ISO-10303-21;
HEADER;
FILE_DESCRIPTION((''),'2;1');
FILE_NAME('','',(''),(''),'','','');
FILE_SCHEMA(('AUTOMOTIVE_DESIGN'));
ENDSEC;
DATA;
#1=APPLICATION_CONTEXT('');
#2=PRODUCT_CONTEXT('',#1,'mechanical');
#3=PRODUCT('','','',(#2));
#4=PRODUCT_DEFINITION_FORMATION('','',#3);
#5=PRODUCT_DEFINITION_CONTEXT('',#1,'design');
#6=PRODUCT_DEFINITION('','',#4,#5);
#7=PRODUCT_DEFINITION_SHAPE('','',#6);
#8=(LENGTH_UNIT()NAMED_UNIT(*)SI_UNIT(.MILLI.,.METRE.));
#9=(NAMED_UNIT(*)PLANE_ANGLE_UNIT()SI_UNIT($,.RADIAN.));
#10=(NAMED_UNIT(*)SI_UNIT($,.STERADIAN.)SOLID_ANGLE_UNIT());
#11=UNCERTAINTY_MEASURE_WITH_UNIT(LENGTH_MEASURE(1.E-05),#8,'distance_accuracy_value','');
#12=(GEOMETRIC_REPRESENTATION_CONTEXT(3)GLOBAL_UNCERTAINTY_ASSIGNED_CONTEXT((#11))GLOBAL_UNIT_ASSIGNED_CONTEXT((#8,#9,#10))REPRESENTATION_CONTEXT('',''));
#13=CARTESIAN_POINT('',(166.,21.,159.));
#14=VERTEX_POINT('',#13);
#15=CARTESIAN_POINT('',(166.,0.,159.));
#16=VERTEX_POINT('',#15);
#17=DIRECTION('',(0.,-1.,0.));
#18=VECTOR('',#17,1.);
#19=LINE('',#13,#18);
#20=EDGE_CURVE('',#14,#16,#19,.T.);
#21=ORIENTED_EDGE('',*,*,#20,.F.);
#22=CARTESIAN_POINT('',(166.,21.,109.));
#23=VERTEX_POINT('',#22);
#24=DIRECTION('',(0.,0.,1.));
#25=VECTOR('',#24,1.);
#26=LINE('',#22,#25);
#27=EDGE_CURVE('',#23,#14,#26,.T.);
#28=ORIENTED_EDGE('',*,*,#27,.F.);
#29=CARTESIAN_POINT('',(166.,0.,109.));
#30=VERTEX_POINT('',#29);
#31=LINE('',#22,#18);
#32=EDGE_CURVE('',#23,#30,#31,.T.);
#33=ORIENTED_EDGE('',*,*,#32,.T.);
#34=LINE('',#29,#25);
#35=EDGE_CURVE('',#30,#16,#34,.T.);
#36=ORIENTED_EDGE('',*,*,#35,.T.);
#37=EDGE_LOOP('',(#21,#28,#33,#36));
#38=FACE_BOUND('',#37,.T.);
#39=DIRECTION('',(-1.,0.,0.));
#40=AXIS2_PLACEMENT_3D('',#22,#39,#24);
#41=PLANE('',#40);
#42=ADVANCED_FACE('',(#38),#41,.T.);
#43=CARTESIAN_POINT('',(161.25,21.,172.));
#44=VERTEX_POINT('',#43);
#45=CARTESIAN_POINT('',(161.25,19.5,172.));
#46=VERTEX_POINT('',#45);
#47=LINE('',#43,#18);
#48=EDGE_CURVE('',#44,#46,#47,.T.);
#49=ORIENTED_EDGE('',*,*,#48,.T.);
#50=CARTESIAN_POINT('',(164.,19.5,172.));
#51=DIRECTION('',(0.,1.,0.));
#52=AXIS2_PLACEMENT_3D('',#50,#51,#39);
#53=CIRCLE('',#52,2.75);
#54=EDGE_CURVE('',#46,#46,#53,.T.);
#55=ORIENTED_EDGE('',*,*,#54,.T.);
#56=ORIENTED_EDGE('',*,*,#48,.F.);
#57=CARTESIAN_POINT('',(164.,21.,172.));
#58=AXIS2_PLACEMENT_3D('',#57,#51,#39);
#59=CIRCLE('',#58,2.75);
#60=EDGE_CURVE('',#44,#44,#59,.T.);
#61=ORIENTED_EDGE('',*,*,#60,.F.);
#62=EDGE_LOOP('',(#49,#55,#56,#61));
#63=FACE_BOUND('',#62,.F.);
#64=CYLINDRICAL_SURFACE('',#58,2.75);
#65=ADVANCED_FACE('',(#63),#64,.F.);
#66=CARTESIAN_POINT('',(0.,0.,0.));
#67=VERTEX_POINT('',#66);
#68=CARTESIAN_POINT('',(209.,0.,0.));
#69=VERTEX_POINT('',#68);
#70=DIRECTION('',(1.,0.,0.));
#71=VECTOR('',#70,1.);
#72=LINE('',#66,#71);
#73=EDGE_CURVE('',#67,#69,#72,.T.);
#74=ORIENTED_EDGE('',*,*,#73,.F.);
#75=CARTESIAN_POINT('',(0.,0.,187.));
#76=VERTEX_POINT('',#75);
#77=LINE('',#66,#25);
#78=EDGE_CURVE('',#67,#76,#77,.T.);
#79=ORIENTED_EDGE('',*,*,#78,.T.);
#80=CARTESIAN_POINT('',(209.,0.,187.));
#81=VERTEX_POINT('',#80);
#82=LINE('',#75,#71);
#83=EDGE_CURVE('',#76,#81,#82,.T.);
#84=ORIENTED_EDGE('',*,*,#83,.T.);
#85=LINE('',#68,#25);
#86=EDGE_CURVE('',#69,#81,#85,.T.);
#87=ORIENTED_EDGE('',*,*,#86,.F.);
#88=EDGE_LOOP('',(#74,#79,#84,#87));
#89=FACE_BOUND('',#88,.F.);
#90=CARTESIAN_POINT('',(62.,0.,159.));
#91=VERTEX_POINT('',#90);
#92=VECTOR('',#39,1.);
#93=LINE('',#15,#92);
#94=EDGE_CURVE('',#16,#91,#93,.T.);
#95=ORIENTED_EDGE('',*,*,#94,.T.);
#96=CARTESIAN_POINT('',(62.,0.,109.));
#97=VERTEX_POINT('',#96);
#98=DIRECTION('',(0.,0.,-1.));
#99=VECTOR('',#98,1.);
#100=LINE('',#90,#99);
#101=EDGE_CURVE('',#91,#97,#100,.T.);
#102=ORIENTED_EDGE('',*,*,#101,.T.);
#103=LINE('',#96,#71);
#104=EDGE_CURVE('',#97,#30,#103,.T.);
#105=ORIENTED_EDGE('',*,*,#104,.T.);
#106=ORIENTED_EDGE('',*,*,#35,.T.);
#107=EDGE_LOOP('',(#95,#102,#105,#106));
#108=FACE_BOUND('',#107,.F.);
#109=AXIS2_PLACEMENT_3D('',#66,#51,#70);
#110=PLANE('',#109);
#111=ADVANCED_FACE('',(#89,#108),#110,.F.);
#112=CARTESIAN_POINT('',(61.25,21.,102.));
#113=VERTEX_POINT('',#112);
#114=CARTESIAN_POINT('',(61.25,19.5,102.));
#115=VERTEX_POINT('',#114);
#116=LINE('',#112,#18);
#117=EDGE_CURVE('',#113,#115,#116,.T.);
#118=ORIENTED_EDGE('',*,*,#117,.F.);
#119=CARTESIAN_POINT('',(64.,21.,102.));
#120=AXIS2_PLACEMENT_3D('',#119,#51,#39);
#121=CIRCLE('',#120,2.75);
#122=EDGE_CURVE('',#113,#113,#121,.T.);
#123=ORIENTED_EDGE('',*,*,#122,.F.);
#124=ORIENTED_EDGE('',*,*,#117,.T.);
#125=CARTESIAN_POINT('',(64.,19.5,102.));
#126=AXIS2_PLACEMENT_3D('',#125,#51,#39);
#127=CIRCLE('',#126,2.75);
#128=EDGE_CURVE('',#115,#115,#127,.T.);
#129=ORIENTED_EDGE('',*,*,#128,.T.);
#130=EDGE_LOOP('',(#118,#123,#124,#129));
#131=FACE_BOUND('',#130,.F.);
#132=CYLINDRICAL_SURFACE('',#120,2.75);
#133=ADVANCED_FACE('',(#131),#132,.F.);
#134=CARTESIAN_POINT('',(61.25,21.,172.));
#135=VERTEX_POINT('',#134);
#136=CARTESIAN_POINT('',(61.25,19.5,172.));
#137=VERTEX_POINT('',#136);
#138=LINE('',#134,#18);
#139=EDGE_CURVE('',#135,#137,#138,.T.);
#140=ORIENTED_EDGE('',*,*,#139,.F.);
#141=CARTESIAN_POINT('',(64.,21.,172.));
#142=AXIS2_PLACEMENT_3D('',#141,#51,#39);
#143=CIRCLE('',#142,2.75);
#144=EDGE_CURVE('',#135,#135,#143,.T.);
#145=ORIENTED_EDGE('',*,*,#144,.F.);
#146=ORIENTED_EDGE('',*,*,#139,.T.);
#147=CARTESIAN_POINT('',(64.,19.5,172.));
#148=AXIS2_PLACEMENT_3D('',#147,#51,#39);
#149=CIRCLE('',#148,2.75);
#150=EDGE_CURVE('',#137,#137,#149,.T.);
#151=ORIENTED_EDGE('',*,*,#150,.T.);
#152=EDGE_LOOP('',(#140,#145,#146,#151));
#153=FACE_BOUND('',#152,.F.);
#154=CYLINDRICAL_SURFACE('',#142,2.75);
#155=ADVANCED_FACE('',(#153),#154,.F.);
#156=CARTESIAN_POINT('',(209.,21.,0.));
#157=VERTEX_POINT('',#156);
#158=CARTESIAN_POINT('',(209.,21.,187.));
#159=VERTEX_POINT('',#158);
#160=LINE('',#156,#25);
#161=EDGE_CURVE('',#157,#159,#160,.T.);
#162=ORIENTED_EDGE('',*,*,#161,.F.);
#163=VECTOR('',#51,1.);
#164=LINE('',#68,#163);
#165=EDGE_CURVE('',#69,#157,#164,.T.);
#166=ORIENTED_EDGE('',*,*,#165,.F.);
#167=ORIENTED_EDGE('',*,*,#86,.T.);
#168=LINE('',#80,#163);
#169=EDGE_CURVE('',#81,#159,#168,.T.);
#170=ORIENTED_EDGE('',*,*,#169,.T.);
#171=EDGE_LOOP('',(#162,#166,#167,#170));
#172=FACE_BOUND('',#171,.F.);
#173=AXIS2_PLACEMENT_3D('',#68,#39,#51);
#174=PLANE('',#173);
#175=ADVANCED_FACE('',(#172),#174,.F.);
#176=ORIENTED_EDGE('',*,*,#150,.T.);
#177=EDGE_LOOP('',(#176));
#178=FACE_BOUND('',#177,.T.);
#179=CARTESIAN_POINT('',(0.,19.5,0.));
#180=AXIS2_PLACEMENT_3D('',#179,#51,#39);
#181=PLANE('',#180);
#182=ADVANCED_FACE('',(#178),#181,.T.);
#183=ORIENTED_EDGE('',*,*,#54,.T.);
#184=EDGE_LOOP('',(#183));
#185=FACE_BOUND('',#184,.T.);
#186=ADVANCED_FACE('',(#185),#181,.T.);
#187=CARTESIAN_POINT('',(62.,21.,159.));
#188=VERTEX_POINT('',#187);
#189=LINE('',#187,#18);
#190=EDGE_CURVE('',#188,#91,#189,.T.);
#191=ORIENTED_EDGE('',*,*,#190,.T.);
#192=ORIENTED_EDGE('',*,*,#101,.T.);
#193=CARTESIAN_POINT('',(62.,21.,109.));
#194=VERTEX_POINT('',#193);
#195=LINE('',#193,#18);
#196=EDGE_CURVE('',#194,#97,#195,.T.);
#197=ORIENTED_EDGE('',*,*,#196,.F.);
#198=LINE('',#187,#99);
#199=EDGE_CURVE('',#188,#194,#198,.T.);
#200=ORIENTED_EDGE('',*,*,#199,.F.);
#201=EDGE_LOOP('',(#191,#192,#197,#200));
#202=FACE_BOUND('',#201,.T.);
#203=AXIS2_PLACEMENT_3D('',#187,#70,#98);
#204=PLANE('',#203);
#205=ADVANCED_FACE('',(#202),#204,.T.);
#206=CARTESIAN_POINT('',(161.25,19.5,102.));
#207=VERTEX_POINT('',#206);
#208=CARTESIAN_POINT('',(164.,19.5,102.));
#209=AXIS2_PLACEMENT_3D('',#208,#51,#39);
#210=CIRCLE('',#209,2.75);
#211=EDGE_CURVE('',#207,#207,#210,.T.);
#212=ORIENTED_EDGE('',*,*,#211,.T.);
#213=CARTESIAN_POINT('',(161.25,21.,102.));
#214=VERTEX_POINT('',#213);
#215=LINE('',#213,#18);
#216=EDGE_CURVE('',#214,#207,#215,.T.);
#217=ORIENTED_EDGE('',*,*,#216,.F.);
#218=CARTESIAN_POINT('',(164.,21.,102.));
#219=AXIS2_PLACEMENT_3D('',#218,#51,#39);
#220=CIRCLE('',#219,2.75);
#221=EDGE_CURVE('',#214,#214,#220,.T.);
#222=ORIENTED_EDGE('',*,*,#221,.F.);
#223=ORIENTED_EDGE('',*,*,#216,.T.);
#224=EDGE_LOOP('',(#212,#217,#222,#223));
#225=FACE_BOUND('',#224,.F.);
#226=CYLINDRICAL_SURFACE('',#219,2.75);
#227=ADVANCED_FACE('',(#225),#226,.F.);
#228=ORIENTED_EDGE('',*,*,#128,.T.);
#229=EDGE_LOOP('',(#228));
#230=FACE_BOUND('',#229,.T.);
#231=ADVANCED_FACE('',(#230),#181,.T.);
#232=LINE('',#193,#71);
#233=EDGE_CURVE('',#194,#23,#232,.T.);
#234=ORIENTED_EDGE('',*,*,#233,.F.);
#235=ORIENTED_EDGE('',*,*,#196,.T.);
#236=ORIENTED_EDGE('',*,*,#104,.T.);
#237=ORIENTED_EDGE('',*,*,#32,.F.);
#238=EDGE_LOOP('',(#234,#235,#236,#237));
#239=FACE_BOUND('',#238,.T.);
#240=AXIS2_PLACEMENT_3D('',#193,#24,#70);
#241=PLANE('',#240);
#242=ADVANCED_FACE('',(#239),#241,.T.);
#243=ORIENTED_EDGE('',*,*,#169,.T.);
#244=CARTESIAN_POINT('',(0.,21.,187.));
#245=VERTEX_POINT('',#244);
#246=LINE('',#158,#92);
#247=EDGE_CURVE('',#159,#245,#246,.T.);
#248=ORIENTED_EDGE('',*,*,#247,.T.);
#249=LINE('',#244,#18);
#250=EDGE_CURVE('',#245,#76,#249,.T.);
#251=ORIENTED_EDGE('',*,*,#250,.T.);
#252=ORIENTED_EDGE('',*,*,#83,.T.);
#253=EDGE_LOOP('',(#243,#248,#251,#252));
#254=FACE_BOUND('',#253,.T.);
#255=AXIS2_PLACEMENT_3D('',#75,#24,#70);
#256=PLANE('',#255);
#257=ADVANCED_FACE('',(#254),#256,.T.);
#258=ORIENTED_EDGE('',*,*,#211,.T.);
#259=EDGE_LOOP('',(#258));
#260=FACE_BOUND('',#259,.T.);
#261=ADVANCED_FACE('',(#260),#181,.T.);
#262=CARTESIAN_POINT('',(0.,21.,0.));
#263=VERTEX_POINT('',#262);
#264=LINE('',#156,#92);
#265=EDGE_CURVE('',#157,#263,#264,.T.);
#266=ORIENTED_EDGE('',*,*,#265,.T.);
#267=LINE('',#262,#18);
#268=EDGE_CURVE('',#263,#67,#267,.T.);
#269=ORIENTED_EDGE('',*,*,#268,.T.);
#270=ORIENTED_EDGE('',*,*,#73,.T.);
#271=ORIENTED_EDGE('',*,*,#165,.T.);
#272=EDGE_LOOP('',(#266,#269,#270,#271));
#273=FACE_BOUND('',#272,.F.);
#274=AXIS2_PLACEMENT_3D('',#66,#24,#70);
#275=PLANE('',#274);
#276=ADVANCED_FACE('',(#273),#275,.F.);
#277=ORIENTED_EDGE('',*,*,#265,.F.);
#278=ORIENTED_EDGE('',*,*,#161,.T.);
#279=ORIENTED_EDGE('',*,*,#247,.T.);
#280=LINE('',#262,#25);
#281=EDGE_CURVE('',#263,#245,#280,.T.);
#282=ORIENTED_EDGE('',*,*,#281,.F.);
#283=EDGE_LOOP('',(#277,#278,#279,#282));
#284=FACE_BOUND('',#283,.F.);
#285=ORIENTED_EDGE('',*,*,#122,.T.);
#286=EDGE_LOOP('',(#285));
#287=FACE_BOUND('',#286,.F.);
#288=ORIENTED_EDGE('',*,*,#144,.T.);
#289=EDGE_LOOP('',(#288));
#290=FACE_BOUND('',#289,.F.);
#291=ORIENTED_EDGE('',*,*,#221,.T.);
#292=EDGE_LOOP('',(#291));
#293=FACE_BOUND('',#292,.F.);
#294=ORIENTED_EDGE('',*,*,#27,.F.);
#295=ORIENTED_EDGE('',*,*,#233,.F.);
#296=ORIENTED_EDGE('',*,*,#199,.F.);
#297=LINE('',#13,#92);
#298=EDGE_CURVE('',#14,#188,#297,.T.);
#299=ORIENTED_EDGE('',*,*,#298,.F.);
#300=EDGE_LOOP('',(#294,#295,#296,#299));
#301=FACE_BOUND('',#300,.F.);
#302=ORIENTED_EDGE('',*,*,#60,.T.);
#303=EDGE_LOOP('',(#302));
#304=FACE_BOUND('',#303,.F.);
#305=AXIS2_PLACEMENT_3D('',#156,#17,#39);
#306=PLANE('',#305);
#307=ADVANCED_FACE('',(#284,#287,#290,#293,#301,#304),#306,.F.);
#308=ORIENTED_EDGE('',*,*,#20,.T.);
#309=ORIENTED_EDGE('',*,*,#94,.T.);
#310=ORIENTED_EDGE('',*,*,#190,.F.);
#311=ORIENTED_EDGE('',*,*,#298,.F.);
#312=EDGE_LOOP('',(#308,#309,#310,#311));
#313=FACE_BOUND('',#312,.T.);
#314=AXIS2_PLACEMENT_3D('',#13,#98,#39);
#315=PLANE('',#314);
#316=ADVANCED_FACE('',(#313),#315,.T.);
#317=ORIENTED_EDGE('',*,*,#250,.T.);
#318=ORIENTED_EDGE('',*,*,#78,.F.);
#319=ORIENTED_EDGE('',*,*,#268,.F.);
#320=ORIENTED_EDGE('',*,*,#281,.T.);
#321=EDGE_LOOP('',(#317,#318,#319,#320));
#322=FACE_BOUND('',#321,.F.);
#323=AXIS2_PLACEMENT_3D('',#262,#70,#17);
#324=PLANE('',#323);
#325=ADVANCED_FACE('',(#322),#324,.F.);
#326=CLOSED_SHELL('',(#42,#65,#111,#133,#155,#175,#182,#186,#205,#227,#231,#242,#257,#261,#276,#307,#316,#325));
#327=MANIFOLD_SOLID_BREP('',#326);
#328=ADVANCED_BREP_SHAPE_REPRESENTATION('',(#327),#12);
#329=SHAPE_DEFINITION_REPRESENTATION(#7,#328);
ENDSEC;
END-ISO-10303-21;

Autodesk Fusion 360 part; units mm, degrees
sketch "Smartie Feed Support" plane through (0, 0, 0) normal (0, 0, 1) x (1, 0, 0)
  line L0 (0, 0) -> (209, 0)
  line L1 (209, 0) -> (209, 21)
  line L2 (209, 21) -> (0, 21)
  line L3 (0, 21) -> (0, 0)
  dimension "d1" = 209
  dimension "d2" = 21
extrude "Extrude1" add sketch "Smartie Feed Support" along normal blind 187
sketch "Outlet" plane through (0, 0, 0) normal (0, -1, 0) x (1, 0, 0)
  line L0 (0, 0) -> (209, 0)
  line L1 (209, 0) -> (209, 187)
  line L2 (209, 187) -> (0, 187)
  line L3 (0, 187) -> (0, 0)
  line L4 (69, 146) -> (159, 146)
  line L5 (159, 146) -> (159, 116)
  line L6 (159, 116) -> (69, 116)
  line L7 (69, 116) -> (69, 146)
  dimension "d31" = 30
  dimension "d32" = 90
  dimension "d33" = 69
  dimension "d34" = 50
  dimension "d35" = 41
sketch "Inlet" plane through (0, 21, 0) normal (0, 1, 0) x (-1, 0, 0)
  line L0 (-209, 0) -> (0, 0)
  line L1 (0, 0) -> (0, 187)
  line L2 (0, 187) -> (-209, 187)
  line L3 (-209, 187) -> (-209, 0)
  line L4 (-69, 152) -> (-159, 152)
  line L5 (-159, 152) -> (-159, 122)
  line L6 (-159, 122) -> (-69, 122)
  line L7 (-69, 122) -> (-69, 152)
  dimension "d36" = 90
  dimension "d37" = 69
  dimension "d38" = 30
  dimension "d39" = 35
  dimension "d40" = 50
loft "Loft9" cut profiles "Inlet", "Outlet" section 1 contours L4 L5 L6 L7 section 2 contours L4 L5 L6 L7
sketch "Magnet Holes" plane through (0, 21, 0) normal (0, 1, 0) x (-1, 0, 0)
  line L0 (-69, 152) -> (-69, 122)
  line L1 (-69, 122) -> (-159, 122)
  line L2 (-159, 122) -> (-159, 152)
  line L3 (-159, 152) -> (-69, 152)
  line L4 (-209, 0) -> (0, 0)
  line L5 (0, 0) -> (0, 187)
  line L6 (0, 187) -> (-209, 187)
  line L7 (-209, 187) -> (-209, 0)
  circle A0 centre (-164, 172) radius 2.75
  circle A1 centre (-64, 172) radius 2.75
  circle A2 centre (-164, 102) radius 2.75
  circle A3 centre (-64, 102) radius 2.75
  dimension "d43" = 5.5
  dimension "d44" = 5.5
  dimension "d45" = 5.5
  dimension "d46" = 5.5
  dimension "d49" = 64
  dimension "d50" = 64
  dimension "d51" = 164
  dimension "d52" = 164
  dimension "d53" = 20
  dimension "d54" = 20
  dimension "d55" = 20
  dimension "d56" = 20
extrude "Extrude2" cut sketch "Magnet Holes" against normal blind 1.5 contours A0 | A1 | A2 | A3
sketch "Separator" plane through (0, 21, 0) normal (0, 1, 0) x (-1, 0, 0)
  circle A0 centre (-164, 102) radius 2.75
  circle A1 centre (-64, 172) radius 2.75
  circle A2 centre (-164, 172) radius 2.75
  circle A3 centre (-64, 102) radius 2.75
  line L0 (-69, 152) -> (-69, 122)
  line L1 (-69, 122) -> (-159, 122)
  line L2 (-159, 122) -> (-159, 152)
  line L3 (-159, 152) -> (-69, 152)
  line L4 (-209, 0) -> (0, 0)
  line L5 (0, 0) -> (0, 187)
  line L6 (0, 187) -> (-209, 187)
  line L7 (-209, 187) -> (-209, 0)
  line L8 (-159, 152) -> (-69, 152)
  line L9 (-69, 152) -> (-69, 122)
  line L10 (-159, 122) -> (-159, 152)
  line L11 (-159, 116) -> (-69, 116)
  line L12 (-159, 146) -> (-159, 116)
  line L13 (-69, 116) -> (-69, 146)
  line L14 (-69, 146) -> (-159, 146)
  line L15 (-69, 122) -> (-159, 122)
  line L16 (-166, 159) -> (-62, 159)
  line L17 (-62, 159) -> (-62, 109)
  line L18 (-62, 109) -> (-166, 109)
  line L19 (-166, 109) -> (-166, 159)
  dimension "d57" = 7
  dimension "d58" = 7
  dimension "d59" = 7
  dimension "d60" = 7
extrude "Extrude3" cut sketch "Separator" against normal blind 21 contours L0 L2 L3 L8 L9 L10 L14 | L0 L1 L2 L9 L10 L12 L13 L14 L15 | L1 L11 L12 L13 L15 | L16 L17 L18 L19
equation "d1 = 219 mm - 10 mm"
equation "d3 = 166 mm + 21 mm"
equation "outletHeight = 15 mm" comment "Height of the outlets into the sorted containers"
equation "outletWidth = 20 mm" comment "Width of the outlets into the sorted containers"
equation "sortedContainersMidpointWidth = sortedContainersWidth + polycarbonateThickness" comment "Width between the midpoints of the sorted containers"
equation "sortedContainersWidth = 60 mm" comment "Width of the sorted containers"
equation "sortedContainersHeight = 113 mm" comment "Height of the sorted containers"
equation "polycarbonateThickness = 6 mm" comment "Thickness of the polycarbonate"
equation "sortedContainersMidpointHeight = sortedContainersHeight + polycarbonateThickness" comment "Height between the midpoints of the sorted containers"
equation "d33 = 90 mm - 21 mm"
equation "d35 = 30 mm - 21 mm + 5 mm + 6 mm + 21 mm"
equation "d37 = 90 mm - 21 mm"
equation "d39 = 30 mm - 21 mm + 5 mm + 21 mm"
equation "magnetDiameter = 5 mm"
equation "magnetHeight = 1.5 mm"
equation "d43 = magnetDiameter + 0.5 mm"
equation "d44 = magnetDiameter + 0.5 mm"
equation "d45 = magnetDiameter + 0.5 mm"
equation "d46 = magnetDiameter + 0.5 mm"
equation "d47 = -magnetHeight"
equation "d49 = 75 mm - 21 mm + 10 mm"
equation "d50 = 75 mm - 21 mm + 10 mm"
equation "d51 = 195 mm - 10 mm - 21 mm"
equation "d52 = 195 mm - 10 mm - 21 mm"
